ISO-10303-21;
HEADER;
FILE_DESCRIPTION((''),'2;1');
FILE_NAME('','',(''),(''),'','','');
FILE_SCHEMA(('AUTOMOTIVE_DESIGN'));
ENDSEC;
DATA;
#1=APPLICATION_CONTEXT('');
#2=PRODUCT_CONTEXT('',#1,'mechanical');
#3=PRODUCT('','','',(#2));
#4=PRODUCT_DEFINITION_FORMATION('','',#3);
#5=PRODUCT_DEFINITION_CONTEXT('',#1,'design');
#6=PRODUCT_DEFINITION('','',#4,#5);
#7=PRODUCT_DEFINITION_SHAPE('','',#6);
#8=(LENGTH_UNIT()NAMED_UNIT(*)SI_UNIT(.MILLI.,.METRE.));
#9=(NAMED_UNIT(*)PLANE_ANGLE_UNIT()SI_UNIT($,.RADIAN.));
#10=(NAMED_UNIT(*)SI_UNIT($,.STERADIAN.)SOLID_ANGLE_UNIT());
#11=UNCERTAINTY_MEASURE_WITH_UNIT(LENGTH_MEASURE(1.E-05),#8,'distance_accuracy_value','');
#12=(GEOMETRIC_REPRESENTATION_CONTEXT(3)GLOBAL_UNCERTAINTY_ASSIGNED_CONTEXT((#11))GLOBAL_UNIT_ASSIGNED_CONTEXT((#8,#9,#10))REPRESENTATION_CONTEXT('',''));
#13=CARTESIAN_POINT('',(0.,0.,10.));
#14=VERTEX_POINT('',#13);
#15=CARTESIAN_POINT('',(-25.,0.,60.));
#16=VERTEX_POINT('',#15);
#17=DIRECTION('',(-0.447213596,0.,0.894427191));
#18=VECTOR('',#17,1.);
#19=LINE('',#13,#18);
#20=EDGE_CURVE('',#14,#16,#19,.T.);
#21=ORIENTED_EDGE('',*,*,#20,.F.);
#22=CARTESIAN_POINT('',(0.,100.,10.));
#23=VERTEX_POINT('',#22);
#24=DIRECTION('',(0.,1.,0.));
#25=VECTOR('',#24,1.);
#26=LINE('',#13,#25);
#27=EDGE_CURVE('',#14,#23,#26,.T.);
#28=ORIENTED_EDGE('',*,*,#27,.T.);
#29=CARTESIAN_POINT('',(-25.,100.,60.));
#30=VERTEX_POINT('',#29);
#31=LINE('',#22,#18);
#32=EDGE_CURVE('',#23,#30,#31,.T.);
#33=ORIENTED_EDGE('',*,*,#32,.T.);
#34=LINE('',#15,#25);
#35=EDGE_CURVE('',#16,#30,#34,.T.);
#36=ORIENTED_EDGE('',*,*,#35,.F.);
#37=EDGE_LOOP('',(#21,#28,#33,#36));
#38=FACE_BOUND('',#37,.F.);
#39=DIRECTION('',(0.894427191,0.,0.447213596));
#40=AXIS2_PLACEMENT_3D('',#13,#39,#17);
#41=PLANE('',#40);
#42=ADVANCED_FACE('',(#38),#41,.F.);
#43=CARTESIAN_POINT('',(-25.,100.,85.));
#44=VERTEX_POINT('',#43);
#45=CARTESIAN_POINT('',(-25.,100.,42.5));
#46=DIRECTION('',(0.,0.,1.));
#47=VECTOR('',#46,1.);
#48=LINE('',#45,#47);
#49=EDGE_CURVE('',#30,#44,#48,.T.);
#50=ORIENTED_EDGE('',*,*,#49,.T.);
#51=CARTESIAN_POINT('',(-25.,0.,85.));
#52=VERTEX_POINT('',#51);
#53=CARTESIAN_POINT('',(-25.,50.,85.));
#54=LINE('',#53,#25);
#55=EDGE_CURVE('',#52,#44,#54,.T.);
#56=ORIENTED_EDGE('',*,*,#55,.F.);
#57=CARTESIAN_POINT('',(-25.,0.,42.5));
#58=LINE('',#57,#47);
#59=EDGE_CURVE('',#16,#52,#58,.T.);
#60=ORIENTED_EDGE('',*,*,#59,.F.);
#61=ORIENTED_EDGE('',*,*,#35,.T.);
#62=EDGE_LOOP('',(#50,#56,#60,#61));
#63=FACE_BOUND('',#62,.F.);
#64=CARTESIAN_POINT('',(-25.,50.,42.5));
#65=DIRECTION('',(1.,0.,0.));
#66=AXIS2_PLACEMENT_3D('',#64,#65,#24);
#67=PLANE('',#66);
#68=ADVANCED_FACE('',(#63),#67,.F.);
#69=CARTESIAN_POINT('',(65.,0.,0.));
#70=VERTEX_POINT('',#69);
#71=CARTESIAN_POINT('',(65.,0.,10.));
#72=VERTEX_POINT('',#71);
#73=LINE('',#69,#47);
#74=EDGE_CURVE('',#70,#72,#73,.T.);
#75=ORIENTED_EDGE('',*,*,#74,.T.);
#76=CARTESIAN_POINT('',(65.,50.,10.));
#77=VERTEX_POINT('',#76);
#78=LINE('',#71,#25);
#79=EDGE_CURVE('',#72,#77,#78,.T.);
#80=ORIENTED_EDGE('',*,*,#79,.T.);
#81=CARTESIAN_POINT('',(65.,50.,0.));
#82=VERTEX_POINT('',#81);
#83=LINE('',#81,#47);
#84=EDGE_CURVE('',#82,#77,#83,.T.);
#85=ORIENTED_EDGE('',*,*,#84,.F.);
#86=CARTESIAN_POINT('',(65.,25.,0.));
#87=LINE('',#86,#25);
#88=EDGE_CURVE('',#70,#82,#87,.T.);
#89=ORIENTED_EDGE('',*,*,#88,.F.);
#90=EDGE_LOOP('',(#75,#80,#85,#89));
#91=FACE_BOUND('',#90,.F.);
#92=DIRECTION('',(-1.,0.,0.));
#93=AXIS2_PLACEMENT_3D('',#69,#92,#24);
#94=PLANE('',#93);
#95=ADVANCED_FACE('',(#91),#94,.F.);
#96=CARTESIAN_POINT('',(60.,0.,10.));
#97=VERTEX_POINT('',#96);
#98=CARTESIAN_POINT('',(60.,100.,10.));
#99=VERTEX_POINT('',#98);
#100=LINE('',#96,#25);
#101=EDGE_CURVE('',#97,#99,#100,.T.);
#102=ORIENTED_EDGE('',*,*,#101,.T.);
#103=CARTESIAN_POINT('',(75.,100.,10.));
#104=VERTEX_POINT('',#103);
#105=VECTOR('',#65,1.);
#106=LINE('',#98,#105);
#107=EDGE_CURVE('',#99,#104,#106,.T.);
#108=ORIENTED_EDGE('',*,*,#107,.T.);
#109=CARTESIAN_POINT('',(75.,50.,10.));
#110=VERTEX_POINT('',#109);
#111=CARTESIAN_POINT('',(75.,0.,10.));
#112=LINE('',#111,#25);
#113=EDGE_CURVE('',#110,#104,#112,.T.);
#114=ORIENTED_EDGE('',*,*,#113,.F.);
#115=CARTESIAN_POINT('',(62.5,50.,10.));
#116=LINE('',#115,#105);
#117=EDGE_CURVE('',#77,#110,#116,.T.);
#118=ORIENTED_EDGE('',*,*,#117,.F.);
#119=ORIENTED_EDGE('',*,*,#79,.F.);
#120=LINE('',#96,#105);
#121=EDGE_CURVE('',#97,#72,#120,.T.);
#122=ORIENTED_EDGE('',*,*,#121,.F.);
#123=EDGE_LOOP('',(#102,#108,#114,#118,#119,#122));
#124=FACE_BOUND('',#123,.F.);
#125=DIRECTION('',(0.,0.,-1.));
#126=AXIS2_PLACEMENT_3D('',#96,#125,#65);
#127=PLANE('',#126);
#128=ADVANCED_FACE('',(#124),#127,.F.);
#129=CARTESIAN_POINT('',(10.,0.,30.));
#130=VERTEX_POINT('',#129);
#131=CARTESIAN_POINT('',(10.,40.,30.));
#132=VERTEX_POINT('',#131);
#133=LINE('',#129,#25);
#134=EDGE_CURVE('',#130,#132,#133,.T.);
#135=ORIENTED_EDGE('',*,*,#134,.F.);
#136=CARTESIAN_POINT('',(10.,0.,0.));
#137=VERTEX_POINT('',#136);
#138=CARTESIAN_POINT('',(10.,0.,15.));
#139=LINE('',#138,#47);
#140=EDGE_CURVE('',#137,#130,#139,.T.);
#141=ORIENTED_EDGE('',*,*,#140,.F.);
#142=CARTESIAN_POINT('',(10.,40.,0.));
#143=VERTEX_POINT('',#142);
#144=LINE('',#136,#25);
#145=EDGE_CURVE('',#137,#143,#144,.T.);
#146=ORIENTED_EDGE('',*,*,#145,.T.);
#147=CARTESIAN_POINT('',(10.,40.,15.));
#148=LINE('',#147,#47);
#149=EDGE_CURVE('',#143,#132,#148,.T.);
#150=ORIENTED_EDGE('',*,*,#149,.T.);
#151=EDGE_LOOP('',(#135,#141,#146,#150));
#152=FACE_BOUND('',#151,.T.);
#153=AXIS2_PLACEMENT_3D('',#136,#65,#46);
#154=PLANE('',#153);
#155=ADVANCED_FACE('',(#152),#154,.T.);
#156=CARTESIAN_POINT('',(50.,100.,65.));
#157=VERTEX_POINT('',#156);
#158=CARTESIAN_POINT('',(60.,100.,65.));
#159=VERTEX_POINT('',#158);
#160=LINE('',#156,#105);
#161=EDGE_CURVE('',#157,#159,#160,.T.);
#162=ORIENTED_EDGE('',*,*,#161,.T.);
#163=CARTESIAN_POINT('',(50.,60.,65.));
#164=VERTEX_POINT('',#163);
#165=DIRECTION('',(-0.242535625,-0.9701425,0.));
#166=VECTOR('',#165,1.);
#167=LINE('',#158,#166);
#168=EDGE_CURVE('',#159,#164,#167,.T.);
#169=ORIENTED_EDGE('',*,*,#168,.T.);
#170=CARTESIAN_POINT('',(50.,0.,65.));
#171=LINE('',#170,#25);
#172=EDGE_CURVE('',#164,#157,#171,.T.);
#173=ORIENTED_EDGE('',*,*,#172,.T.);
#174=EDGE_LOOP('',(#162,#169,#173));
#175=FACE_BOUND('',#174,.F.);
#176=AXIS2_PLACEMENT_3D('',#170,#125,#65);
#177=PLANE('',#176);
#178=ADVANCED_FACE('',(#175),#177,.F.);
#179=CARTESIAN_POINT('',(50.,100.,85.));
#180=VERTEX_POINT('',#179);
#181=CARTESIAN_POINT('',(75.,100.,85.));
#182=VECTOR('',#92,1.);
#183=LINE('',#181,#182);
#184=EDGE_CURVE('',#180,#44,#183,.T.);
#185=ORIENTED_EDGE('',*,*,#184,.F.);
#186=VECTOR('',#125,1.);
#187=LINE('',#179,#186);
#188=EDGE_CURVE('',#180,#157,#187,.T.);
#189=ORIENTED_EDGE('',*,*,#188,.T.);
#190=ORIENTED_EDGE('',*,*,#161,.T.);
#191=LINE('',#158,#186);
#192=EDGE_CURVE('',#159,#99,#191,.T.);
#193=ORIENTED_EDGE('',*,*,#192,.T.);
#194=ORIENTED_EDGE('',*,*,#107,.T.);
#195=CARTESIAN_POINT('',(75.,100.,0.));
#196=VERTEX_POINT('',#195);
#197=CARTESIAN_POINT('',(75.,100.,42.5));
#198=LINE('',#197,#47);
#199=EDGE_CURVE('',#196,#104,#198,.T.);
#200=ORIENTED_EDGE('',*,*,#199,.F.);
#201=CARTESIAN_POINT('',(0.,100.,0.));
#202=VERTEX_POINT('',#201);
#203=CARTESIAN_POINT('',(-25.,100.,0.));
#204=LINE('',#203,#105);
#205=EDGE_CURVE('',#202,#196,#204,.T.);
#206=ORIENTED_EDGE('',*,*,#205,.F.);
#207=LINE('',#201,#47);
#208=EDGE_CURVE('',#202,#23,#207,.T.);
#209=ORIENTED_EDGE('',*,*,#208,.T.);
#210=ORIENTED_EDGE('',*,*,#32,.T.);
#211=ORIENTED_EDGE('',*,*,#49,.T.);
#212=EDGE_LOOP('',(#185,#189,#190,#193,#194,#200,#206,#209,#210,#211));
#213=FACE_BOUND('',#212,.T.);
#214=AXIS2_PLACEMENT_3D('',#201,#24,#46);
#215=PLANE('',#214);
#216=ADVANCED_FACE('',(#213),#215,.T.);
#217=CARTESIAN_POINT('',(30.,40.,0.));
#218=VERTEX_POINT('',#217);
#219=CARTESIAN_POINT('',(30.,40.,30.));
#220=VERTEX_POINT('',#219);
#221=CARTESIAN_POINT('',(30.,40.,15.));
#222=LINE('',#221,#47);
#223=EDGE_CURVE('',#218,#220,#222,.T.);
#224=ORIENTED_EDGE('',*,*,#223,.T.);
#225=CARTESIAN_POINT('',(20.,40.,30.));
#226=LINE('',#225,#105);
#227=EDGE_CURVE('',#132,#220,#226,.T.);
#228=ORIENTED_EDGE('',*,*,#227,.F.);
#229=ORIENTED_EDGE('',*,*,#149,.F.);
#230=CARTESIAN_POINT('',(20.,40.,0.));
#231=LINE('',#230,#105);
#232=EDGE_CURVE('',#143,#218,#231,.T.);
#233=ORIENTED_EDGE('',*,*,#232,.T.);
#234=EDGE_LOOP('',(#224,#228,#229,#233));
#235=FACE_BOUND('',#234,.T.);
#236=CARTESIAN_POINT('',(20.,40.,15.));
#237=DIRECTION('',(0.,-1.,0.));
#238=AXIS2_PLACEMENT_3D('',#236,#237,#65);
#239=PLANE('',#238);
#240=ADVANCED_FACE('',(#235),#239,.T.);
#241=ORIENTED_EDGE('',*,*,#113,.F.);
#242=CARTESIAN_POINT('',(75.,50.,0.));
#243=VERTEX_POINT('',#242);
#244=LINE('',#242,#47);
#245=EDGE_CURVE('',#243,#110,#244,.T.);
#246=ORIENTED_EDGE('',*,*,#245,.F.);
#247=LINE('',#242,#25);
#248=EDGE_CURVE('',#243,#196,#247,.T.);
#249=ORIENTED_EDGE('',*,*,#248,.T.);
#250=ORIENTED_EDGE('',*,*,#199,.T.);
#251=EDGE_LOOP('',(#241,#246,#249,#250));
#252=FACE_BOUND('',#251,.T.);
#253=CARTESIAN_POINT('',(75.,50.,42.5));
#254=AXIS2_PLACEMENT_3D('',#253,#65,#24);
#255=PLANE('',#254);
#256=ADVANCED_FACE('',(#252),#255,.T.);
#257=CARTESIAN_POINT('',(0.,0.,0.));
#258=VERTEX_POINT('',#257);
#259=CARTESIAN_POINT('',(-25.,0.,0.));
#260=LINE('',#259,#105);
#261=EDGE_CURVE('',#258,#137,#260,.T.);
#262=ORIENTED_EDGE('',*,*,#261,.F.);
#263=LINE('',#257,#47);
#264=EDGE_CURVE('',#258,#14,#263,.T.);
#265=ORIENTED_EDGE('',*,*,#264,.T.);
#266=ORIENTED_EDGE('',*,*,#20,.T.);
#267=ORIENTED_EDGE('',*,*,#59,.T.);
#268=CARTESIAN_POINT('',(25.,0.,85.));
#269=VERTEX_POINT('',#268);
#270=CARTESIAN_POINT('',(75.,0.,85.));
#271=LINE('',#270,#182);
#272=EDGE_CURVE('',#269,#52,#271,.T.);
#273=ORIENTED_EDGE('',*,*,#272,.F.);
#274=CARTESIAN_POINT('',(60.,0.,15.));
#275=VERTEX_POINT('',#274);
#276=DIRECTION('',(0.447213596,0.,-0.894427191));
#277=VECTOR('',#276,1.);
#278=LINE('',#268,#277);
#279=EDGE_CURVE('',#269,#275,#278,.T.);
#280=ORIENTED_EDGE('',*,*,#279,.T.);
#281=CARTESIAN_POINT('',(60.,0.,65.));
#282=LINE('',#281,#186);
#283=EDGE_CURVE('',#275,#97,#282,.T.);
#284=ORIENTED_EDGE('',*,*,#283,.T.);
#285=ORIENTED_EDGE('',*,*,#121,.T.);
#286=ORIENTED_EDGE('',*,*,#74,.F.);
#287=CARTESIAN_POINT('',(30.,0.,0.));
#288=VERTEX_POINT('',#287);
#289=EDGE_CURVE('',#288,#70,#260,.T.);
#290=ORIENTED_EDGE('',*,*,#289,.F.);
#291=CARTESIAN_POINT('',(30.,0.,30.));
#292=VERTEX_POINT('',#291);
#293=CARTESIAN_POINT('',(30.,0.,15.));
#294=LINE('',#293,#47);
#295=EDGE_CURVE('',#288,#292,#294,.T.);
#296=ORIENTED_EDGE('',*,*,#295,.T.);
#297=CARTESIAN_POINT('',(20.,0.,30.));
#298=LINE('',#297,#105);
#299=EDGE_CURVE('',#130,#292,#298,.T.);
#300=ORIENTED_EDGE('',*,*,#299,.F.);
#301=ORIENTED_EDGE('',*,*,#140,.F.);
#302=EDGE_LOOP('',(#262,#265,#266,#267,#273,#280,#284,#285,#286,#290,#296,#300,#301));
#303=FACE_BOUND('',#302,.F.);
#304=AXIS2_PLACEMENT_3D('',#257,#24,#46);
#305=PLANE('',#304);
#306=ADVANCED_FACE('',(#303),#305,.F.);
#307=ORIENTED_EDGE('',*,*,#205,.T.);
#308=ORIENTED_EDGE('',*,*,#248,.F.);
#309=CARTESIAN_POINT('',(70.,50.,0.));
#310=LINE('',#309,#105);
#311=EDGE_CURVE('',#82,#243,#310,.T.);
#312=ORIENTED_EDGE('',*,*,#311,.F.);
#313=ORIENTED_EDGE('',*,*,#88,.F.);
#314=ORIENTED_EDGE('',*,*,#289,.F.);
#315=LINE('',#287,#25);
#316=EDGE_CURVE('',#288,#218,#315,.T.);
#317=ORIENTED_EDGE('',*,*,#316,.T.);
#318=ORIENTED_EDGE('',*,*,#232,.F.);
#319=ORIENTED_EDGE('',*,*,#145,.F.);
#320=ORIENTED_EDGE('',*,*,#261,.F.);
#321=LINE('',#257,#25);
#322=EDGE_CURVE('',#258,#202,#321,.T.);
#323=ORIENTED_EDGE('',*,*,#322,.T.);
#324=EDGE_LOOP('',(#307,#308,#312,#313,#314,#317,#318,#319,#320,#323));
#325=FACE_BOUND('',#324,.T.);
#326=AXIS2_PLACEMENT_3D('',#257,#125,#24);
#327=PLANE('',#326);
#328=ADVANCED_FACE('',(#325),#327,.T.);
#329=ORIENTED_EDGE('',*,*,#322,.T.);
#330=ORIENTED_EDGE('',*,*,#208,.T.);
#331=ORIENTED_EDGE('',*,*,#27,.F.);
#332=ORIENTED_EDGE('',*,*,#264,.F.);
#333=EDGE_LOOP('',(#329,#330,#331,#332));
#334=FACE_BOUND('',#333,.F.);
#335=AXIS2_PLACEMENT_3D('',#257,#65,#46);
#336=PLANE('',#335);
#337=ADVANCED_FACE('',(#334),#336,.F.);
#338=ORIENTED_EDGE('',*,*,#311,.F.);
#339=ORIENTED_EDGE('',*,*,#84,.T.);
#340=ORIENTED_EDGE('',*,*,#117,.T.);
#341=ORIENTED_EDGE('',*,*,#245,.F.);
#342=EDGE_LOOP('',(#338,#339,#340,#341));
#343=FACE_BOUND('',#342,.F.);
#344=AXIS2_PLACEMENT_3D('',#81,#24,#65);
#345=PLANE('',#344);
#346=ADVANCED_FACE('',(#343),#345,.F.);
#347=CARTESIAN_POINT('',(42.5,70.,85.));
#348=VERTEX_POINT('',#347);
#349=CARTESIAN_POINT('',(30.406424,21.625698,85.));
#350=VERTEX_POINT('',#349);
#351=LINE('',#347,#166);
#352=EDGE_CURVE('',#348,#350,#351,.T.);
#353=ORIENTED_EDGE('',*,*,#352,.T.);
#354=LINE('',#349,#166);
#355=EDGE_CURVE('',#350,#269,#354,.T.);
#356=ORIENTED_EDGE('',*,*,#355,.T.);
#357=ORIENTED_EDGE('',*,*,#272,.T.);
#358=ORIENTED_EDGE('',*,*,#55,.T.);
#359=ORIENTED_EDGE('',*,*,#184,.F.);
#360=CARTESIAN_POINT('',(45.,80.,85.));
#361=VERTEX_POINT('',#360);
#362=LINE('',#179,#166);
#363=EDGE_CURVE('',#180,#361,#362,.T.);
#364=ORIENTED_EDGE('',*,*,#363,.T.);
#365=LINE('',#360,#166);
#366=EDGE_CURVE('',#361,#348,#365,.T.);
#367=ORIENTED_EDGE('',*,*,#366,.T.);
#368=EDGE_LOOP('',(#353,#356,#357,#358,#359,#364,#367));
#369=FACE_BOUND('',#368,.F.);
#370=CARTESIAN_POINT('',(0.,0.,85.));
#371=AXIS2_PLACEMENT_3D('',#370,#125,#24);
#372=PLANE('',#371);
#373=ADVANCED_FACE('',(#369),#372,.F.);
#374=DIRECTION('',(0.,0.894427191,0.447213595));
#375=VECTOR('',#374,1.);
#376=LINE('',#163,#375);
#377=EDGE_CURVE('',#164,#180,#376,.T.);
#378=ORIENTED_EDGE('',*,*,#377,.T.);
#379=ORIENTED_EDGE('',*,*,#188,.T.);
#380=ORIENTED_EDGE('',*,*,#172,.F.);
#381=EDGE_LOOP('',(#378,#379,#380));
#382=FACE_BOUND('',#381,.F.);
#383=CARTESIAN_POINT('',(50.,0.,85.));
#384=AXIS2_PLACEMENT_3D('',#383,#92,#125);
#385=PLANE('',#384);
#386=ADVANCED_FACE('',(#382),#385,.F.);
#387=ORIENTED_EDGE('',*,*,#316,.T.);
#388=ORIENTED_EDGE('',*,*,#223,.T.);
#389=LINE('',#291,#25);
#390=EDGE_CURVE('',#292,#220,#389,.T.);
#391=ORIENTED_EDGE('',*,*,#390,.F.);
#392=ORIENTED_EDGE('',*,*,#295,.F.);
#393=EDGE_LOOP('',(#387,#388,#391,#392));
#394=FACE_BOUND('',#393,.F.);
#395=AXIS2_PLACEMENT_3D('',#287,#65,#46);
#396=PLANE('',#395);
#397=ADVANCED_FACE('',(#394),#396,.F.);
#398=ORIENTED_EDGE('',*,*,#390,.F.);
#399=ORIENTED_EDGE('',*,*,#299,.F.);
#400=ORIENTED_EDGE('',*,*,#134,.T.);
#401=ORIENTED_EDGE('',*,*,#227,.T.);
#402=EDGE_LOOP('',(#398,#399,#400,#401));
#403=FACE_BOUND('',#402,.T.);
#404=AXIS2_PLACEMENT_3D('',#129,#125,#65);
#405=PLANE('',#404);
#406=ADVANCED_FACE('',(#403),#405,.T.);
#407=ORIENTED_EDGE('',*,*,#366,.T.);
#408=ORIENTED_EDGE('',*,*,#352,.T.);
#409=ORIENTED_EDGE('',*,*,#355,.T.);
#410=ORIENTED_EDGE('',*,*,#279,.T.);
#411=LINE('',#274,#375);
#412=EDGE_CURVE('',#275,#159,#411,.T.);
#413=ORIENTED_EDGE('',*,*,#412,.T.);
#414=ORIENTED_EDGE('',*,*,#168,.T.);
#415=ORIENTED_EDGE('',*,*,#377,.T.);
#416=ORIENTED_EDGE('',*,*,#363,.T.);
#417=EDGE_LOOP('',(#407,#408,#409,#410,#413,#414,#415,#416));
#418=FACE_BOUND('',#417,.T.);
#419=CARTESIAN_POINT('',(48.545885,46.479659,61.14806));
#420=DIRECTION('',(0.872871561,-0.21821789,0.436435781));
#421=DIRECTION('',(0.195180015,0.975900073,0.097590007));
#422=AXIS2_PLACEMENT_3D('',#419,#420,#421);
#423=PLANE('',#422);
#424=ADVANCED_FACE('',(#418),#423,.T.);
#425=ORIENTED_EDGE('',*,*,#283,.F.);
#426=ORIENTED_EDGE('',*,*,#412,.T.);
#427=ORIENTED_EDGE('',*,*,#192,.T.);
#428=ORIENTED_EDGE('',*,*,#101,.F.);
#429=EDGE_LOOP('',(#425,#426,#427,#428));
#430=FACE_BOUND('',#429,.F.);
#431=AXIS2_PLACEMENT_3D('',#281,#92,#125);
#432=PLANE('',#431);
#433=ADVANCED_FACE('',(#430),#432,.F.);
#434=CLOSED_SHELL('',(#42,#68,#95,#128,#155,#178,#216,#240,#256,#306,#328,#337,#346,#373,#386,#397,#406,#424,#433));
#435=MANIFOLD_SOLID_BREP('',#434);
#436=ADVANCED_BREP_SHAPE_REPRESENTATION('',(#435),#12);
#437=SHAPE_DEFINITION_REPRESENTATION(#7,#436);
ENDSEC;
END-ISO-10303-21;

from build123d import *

# Parameters (mm, degrees)
F0_W          = 100
F0_H          = 85
F1_DEPTH      = 75
F1_DEPTH_BACK = 25
F3_DEPTH      = 100
F4_W          = 20
F4_H          = 30
F5_DEPTH      = 40
F7_DEPTH      = 100
F8_W          = 10
F8_H          = 50
F9_DEPTH      = 25
F16_DEPTH     = 25


with BuildPart() as f1:
    # F0 (on Right) → F1 (new body, two sides)
    with BuildSketch(Plane.YZ) as f1_sk:
        with Locations((50, 42.5)):
            Rectangle(F0_W, F0_H)
    extrude(amount=F1_DEPTH)
    extrude(f1_sk.sketch, amount=-F1_DEPTH_BACK)

    # F2 (on Front) → F3 (cut, through all)
    with BuildSketch(Plane.XZ):
        Polygon((0, 10), (-25, 60), (-25, 0), (0, 0), align=None)
    extrude(amount=-F3_DEPTH, mode=Mode.SUBTRACT)

    # F4 (on Front) → F5 (cut)
    with BuildSketch(Plane.XZ):
        with Locations((20, 15)):
            Rectangle(F4_W, F4_H)
    extrude(amount=-F5_DEPTH, mode=Mode.SUBTRACT)

    # F6 (on Front) → F7 (cut, through all)
    with BuildSketch(Plane.XZ):
        Polygon((60, 65), (60, 10), (75, 10), (75, 85), (50, 85), (50, 65), align=None)
    extrude(amount=-F7_DEPTH, mode=Mode.SUBTRACT)

    # F8 (on Top) → F9 (cut)
    with BuildSketch(Plane.XY):
        with Locations((70, 25)):
            Rectangle(F8_W, F8_H)
    extrude(amount=F9_DEPTH, mode=Mode.SUBTRACT)

    # F15 (on 3pt) → F16 (cut)
    with BuildSketch(Plane(origin=(51.4285714286, -12.8571428571, 25.7142857143), x_dir=(0.1951800146, 0.9759000729, 0.0975900073), z_dir=(0.8728715609, -0.2182178902, 0.4364357805))):
        Polygon((95.1502571125, 55.9016994375), (84.9033063465, 57.0197334262), (35.3343970406, 62.4281448313), (13.1746509848, 64.8459713475), (13.1746509848, -13.416407865), (115.6441586444, 31.304951685), (74.6563555806, 35.77708764), (115.6441586444, 53.66563146), align=None)
    extrude(amount=F16_DEPTH, mode=Mode.SUBTRACT)


solid = f1.part
